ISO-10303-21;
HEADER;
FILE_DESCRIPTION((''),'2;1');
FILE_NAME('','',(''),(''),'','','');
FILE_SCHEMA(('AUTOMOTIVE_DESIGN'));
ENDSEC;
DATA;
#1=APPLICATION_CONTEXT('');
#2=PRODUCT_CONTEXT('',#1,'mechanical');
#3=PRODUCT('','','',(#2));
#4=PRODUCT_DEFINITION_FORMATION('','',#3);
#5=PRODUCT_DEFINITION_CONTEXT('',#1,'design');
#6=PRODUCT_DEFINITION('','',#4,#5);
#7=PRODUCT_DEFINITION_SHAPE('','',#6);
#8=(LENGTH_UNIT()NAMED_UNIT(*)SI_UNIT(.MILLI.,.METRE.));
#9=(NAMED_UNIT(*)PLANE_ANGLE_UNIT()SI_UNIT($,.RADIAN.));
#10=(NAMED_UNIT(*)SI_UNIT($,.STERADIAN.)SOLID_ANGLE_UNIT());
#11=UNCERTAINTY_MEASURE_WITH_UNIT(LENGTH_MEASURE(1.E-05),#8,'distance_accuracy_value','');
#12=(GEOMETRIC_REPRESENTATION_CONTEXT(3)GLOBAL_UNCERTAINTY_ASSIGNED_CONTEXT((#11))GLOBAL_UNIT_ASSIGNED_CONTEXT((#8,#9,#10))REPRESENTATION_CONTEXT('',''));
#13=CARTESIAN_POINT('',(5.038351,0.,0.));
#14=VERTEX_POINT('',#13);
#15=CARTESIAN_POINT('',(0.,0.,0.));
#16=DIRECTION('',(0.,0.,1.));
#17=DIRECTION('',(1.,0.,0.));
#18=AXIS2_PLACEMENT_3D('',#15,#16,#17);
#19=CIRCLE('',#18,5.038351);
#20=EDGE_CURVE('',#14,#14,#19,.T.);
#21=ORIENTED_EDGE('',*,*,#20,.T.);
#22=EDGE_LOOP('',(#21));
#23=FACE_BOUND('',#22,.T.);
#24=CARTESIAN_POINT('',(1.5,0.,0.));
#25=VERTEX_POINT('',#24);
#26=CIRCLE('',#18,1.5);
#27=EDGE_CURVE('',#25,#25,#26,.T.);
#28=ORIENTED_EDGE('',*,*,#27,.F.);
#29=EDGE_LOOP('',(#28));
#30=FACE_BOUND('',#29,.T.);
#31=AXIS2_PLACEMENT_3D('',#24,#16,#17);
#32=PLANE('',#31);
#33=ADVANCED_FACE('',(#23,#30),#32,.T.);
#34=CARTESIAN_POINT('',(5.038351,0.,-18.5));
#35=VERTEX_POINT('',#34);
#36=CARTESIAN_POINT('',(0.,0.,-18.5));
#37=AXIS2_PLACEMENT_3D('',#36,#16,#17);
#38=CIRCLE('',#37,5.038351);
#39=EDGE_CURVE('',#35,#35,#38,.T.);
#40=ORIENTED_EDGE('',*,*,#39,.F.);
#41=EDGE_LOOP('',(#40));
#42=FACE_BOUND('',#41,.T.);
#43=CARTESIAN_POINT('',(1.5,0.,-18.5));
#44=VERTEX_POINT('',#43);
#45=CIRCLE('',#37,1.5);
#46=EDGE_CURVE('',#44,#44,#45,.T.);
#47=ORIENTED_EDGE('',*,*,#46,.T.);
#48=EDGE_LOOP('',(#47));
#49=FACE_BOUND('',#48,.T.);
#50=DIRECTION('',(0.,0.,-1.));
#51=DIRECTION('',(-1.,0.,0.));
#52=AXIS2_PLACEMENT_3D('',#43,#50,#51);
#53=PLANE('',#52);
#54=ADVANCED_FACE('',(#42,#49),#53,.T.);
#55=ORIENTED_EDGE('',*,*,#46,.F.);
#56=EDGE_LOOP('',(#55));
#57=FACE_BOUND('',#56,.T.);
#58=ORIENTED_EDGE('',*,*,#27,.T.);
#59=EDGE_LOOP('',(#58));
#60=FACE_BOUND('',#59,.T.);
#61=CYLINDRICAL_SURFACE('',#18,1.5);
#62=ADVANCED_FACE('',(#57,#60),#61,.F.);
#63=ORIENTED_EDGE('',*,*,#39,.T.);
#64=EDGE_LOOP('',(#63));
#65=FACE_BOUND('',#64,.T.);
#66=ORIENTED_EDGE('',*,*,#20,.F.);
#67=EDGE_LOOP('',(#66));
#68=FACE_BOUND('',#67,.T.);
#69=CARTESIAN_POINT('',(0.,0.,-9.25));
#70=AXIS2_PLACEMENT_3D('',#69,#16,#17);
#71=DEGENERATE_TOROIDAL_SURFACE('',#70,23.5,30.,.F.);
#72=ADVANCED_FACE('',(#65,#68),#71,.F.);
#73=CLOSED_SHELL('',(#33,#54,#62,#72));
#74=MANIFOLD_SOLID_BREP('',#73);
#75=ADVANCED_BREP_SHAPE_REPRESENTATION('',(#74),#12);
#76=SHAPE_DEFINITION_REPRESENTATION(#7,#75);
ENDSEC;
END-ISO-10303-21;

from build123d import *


with BuildPart() as part:
    # 草图2 → 旋转1 (revolve)
    with BuildSketch(Plane(origin=(0, 0, 0), x_dir=(1, 0, 0), z_dir=(0, 1, 0))):
        with BuildLine():
            Line((1.5, 0), (1.5, 18.5))
            Line((1.5, 18.5), (5.038351389, 18.5))
            ThreePointArc((5.038351389, 18.5), (6.5, 9.25), (5.038351389, 0))
            Line((5.038351389, 0), (1.5, 0))
        make_face()
    revolve(axis=Axis((0, 0, 0), (0, 0, -1)))


solid = part.part
